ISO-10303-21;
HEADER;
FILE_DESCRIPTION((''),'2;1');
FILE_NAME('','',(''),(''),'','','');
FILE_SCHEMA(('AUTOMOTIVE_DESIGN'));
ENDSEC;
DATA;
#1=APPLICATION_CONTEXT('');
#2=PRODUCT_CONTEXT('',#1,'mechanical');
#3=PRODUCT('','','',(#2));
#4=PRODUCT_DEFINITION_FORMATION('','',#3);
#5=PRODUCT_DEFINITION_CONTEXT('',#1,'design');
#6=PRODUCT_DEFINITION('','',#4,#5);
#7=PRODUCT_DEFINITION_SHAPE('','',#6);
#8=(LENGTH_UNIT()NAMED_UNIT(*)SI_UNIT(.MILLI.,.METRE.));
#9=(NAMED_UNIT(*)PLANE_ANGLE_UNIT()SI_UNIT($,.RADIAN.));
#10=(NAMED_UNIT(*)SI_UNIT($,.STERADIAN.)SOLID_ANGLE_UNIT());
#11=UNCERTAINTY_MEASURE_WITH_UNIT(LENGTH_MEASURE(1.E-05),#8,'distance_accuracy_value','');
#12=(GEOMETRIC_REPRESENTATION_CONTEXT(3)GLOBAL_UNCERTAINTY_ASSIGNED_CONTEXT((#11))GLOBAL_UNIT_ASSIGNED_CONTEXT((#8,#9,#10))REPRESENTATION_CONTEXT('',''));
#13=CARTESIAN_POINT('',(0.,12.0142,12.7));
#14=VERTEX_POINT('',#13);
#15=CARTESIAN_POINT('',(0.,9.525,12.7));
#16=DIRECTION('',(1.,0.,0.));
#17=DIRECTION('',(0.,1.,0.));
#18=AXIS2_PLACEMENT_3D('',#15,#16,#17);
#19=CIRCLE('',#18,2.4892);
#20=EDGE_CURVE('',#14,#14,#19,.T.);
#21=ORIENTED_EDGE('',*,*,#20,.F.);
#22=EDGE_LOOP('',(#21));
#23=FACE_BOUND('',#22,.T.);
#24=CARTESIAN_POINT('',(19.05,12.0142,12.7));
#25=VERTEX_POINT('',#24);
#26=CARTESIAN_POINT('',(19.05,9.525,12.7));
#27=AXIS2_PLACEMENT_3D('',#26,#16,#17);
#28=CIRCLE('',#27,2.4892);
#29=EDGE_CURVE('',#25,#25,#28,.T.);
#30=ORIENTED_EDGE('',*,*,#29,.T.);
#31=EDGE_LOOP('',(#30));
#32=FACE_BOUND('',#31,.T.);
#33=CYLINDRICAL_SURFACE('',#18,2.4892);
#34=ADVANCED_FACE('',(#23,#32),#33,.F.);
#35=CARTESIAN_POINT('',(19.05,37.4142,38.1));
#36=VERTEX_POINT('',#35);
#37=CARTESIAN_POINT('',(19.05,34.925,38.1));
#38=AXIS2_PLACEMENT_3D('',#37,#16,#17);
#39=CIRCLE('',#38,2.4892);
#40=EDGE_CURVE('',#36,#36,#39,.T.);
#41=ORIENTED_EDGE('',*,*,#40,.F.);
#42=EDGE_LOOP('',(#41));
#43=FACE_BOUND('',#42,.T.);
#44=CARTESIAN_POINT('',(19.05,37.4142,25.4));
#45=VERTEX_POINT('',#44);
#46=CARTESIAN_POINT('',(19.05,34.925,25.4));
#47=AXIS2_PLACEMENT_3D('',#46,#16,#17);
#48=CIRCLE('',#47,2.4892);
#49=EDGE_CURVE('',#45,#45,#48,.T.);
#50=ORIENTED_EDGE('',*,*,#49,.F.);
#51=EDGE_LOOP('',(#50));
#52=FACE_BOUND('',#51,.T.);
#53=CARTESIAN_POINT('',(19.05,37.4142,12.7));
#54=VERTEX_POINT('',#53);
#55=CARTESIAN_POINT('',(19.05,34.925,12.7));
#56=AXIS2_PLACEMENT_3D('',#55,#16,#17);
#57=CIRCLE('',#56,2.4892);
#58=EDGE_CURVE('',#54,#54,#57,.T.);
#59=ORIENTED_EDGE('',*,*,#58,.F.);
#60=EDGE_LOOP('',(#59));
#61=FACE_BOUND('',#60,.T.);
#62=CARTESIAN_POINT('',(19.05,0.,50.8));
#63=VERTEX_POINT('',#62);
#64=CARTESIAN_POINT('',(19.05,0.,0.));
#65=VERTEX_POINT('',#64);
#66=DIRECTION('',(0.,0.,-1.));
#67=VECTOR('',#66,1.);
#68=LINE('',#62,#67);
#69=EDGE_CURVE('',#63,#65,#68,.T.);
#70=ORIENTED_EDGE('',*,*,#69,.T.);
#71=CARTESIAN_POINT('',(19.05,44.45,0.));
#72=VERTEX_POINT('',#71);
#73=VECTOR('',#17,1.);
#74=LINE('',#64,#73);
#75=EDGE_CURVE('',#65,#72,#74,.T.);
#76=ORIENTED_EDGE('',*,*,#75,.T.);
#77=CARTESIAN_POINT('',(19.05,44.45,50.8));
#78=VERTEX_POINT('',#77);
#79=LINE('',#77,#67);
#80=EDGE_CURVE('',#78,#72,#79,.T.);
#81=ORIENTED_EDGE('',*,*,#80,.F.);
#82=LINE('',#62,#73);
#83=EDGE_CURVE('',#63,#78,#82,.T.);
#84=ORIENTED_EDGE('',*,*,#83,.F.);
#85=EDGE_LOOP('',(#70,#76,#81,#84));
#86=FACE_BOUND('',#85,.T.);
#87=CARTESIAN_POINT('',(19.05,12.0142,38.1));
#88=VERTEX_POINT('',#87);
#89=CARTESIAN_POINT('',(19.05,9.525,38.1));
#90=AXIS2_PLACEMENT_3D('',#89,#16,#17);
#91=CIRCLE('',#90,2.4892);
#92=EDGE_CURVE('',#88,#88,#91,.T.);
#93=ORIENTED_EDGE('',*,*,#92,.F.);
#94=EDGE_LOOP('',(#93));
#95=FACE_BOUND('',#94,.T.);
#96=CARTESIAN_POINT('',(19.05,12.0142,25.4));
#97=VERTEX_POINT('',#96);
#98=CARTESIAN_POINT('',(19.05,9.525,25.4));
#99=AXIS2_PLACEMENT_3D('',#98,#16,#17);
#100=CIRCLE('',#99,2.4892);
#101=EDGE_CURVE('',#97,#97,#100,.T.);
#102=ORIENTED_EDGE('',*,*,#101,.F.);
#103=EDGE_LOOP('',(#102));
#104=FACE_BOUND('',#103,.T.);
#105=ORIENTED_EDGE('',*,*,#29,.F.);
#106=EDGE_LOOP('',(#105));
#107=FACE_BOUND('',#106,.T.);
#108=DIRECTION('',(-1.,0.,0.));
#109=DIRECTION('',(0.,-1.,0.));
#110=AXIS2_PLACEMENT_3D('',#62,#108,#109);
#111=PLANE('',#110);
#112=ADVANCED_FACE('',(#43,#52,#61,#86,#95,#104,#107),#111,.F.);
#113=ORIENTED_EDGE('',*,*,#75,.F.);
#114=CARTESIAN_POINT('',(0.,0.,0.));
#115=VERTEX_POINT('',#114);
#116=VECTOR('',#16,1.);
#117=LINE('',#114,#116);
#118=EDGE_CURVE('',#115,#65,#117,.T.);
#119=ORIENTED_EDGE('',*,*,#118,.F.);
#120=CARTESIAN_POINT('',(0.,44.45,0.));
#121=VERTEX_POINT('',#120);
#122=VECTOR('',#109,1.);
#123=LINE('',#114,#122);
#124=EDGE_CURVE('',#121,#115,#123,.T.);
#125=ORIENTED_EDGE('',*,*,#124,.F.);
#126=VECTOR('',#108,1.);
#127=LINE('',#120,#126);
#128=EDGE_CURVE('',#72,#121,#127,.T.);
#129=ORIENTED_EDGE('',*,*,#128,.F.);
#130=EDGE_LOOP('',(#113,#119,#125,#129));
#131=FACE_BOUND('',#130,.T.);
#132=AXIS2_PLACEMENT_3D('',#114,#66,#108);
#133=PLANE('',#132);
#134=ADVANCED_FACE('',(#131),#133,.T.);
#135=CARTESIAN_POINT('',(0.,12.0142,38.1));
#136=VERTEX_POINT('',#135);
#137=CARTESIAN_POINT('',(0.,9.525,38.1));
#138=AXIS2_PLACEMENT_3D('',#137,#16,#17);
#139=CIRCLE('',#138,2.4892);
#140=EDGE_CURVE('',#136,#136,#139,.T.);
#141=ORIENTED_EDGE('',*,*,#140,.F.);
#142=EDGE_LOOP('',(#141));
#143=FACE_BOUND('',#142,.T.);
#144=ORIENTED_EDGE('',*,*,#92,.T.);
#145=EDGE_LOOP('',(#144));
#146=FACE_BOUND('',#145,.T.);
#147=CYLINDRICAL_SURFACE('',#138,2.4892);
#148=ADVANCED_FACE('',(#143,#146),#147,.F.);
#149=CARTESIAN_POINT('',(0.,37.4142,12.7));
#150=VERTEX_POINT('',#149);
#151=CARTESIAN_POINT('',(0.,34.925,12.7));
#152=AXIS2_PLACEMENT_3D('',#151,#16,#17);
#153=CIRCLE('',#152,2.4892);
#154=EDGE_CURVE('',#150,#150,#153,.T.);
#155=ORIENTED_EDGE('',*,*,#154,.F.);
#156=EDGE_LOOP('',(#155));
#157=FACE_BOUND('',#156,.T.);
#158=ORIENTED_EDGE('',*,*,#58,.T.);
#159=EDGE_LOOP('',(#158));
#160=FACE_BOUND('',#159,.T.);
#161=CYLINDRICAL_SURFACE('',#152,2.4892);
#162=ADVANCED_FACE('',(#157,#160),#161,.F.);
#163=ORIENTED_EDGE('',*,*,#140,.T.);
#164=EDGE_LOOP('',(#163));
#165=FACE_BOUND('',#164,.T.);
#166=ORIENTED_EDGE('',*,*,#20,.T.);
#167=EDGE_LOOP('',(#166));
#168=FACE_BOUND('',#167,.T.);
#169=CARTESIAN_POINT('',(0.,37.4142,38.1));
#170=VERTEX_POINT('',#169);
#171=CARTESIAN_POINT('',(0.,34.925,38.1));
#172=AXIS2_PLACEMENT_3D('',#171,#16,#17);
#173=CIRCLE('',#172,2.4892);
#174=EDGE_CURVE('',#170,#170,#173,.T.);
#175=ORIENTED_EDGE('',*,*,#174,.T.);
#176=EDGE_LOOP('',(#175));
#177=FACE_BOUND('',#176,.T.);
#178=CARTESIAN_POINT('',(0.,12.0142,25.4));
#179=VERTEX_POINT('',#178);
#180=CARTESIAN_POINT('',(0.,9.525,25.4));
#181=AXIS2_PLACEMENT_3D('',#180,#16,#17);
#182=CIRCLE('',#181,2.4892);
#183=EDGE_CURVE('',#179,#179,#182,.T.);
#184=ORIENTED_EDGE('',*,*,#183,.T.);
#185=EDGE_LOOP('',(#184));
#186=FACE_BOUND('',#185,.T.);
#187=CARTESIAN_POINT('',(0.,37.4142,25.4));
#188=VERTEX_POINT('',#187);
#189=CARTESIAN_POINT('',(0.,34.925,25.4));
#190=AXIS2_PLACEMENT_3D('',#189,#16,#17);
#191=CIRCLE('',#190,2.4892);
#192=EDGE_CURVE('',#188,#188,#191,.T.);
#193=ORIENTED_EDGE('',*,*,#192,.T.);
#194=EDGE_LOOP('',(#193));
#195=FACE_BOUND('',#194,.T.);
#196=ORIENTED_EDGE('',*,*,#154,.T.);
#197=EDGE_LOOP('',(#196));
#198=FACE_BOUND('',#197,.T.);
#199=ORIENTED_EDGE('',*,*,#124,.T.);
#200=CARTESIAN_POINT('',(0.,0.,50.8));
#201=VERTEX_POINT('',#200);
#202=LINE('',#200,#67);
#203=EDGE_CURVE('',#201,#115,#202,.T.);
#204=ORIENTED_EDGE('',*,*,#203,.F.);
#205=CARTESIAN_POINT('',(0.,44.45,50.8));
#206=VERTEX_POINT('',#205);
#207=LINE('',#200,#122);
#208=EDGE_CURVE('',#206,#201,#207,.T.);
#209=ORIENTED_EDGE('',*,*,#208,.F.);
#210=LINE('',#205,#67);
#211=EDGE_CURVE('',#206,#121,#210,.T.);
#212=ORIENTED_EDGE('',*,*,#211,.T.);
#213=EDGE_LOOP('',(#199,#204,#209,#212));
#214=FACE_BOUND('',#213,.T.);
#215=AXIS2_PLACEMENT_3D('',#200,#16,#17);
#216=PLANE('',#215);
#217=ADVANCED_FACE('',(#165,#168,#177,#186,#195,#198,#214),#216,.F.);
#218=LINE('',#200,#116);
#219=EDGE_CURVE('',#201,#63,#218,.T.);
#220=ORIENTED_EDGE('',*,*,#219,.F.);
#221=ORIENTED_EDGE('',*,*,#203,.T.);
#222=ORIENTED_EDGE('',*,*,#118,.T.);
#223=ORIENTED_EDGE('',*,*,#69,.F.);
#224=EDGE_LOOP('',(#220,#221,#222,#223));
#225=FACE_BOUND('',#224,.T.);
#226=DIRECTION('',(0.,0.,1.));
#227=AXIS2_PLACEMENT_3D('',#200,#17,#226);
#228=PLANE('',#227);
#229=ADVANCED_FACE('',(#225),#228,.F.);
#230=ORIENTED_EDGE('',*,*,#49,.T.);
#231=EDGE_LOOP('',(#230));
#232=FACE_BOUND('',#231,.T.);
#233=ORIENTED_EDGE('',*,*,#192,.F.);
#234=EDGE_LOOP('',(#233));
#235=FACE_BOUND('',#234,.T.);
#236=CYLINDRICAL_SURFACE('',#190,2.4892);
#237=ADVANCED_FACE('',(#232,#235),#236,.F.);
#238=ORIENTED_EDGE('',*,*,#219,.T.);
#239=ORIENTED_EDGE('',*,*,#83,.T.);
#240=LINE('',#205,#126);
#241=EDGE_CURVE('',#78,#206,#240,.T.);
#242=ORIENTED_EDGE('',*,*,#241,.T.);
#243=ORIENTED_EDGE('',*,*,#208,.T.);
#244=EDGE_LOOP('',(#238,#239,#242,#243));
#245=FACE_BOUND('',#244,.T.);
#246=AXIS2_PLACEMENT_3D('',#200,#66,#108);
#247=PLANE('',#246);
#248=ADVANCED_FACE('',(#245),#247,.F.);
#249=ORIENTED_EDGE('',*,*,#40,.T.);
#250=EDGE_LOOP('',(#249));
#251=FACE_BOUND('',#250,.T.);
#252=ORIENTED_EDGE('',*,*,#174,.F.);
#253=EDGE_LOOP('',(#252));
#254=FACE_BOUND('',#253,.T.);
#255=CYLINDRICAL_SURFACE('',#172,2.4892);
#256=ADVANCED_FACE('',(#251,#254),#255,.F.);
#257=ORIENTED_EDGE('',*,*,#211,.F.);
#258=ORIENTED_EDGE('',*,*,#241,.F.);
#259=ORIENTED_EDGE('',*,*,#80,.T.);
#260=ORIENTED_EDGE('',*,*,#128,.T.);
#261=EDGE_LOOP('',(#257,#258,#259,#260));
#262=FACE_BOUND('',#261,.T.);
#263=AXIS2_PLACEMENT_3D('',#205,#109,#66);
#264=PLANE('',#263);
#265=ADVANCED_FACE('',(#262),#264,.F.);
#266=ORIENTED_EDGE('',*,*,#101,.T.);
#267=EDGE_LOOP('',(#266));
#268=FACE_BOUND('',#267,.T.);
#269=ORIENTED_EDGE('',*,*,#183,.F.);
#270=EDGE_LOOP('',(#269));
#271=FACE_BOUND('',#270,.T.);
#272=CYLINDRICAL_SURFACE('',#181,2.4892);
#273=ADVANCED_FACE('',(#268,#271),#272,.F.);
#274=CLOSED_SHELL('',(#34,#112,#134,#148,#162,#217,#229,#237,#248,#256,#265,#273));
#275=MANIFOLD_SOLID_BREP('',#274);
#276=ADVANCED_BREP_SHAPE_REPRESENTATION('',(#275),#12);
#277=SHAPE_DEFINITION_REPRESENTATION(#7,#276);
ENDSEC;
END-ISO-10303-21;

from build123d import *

# Parameters (mm, degrees)
SKETCH1_W           = 19.05
SKETCH1_H           = 44.45
BOSS_EXTRUDE1_DEPTH = 50.8
SKETCH2_R           = 2.4892
CUT_EXTRUDE1_DEPTH  = 71.138042459


with BuildPart() as part:
    # Sketch1 → Boss-Extrude1 (new body)
    with BuildSketch(Plane.XY):
        with Locations((9.525, 22.225)):
            Rectangle(SKETCH1_W, SKETCH1_H)
    extrude(amount=BOSS_EXTRUDE1_DEPTH)

    # Sketch2 → Cut-Extrude1 (cut, through all)
    with BuildSketch(Plane(origin=(19.05, 0, 0), x_dir=(0, 0, -1), z_dir=(1, 0, 0))):
        with Locations(Location((-38.1, 9.525, 0), (0, 0, 90))):
            Circle(SKETCH2_R)
        with Locations(Location((-25.4, 9.525, 0), (0, 0, 90))):
            Circle(SKETCH2_R)
        with Locations(Location((-12.7, 9.525, 0), (0, 0, 90))):
            Circle(SKETCH2_R)
        with Locations(Location((-38.1, 34.925, 0), (0, 0, 90))):
            Circle(SKETCH2_R)
        with Locations(Location((-25.4, 34.925, 0), (0, 0, 90))):
            Circle(SKETCH2_R)
        with Locations(Location((-12.7, 34.925, 0), (0, 0, 90))):
            Circle(SKETCH2_R)
    extrude(amount=-CUT_EXTRUDE1_DEPTH, mode=Mode.SUBTRACT)


solid = part.part
